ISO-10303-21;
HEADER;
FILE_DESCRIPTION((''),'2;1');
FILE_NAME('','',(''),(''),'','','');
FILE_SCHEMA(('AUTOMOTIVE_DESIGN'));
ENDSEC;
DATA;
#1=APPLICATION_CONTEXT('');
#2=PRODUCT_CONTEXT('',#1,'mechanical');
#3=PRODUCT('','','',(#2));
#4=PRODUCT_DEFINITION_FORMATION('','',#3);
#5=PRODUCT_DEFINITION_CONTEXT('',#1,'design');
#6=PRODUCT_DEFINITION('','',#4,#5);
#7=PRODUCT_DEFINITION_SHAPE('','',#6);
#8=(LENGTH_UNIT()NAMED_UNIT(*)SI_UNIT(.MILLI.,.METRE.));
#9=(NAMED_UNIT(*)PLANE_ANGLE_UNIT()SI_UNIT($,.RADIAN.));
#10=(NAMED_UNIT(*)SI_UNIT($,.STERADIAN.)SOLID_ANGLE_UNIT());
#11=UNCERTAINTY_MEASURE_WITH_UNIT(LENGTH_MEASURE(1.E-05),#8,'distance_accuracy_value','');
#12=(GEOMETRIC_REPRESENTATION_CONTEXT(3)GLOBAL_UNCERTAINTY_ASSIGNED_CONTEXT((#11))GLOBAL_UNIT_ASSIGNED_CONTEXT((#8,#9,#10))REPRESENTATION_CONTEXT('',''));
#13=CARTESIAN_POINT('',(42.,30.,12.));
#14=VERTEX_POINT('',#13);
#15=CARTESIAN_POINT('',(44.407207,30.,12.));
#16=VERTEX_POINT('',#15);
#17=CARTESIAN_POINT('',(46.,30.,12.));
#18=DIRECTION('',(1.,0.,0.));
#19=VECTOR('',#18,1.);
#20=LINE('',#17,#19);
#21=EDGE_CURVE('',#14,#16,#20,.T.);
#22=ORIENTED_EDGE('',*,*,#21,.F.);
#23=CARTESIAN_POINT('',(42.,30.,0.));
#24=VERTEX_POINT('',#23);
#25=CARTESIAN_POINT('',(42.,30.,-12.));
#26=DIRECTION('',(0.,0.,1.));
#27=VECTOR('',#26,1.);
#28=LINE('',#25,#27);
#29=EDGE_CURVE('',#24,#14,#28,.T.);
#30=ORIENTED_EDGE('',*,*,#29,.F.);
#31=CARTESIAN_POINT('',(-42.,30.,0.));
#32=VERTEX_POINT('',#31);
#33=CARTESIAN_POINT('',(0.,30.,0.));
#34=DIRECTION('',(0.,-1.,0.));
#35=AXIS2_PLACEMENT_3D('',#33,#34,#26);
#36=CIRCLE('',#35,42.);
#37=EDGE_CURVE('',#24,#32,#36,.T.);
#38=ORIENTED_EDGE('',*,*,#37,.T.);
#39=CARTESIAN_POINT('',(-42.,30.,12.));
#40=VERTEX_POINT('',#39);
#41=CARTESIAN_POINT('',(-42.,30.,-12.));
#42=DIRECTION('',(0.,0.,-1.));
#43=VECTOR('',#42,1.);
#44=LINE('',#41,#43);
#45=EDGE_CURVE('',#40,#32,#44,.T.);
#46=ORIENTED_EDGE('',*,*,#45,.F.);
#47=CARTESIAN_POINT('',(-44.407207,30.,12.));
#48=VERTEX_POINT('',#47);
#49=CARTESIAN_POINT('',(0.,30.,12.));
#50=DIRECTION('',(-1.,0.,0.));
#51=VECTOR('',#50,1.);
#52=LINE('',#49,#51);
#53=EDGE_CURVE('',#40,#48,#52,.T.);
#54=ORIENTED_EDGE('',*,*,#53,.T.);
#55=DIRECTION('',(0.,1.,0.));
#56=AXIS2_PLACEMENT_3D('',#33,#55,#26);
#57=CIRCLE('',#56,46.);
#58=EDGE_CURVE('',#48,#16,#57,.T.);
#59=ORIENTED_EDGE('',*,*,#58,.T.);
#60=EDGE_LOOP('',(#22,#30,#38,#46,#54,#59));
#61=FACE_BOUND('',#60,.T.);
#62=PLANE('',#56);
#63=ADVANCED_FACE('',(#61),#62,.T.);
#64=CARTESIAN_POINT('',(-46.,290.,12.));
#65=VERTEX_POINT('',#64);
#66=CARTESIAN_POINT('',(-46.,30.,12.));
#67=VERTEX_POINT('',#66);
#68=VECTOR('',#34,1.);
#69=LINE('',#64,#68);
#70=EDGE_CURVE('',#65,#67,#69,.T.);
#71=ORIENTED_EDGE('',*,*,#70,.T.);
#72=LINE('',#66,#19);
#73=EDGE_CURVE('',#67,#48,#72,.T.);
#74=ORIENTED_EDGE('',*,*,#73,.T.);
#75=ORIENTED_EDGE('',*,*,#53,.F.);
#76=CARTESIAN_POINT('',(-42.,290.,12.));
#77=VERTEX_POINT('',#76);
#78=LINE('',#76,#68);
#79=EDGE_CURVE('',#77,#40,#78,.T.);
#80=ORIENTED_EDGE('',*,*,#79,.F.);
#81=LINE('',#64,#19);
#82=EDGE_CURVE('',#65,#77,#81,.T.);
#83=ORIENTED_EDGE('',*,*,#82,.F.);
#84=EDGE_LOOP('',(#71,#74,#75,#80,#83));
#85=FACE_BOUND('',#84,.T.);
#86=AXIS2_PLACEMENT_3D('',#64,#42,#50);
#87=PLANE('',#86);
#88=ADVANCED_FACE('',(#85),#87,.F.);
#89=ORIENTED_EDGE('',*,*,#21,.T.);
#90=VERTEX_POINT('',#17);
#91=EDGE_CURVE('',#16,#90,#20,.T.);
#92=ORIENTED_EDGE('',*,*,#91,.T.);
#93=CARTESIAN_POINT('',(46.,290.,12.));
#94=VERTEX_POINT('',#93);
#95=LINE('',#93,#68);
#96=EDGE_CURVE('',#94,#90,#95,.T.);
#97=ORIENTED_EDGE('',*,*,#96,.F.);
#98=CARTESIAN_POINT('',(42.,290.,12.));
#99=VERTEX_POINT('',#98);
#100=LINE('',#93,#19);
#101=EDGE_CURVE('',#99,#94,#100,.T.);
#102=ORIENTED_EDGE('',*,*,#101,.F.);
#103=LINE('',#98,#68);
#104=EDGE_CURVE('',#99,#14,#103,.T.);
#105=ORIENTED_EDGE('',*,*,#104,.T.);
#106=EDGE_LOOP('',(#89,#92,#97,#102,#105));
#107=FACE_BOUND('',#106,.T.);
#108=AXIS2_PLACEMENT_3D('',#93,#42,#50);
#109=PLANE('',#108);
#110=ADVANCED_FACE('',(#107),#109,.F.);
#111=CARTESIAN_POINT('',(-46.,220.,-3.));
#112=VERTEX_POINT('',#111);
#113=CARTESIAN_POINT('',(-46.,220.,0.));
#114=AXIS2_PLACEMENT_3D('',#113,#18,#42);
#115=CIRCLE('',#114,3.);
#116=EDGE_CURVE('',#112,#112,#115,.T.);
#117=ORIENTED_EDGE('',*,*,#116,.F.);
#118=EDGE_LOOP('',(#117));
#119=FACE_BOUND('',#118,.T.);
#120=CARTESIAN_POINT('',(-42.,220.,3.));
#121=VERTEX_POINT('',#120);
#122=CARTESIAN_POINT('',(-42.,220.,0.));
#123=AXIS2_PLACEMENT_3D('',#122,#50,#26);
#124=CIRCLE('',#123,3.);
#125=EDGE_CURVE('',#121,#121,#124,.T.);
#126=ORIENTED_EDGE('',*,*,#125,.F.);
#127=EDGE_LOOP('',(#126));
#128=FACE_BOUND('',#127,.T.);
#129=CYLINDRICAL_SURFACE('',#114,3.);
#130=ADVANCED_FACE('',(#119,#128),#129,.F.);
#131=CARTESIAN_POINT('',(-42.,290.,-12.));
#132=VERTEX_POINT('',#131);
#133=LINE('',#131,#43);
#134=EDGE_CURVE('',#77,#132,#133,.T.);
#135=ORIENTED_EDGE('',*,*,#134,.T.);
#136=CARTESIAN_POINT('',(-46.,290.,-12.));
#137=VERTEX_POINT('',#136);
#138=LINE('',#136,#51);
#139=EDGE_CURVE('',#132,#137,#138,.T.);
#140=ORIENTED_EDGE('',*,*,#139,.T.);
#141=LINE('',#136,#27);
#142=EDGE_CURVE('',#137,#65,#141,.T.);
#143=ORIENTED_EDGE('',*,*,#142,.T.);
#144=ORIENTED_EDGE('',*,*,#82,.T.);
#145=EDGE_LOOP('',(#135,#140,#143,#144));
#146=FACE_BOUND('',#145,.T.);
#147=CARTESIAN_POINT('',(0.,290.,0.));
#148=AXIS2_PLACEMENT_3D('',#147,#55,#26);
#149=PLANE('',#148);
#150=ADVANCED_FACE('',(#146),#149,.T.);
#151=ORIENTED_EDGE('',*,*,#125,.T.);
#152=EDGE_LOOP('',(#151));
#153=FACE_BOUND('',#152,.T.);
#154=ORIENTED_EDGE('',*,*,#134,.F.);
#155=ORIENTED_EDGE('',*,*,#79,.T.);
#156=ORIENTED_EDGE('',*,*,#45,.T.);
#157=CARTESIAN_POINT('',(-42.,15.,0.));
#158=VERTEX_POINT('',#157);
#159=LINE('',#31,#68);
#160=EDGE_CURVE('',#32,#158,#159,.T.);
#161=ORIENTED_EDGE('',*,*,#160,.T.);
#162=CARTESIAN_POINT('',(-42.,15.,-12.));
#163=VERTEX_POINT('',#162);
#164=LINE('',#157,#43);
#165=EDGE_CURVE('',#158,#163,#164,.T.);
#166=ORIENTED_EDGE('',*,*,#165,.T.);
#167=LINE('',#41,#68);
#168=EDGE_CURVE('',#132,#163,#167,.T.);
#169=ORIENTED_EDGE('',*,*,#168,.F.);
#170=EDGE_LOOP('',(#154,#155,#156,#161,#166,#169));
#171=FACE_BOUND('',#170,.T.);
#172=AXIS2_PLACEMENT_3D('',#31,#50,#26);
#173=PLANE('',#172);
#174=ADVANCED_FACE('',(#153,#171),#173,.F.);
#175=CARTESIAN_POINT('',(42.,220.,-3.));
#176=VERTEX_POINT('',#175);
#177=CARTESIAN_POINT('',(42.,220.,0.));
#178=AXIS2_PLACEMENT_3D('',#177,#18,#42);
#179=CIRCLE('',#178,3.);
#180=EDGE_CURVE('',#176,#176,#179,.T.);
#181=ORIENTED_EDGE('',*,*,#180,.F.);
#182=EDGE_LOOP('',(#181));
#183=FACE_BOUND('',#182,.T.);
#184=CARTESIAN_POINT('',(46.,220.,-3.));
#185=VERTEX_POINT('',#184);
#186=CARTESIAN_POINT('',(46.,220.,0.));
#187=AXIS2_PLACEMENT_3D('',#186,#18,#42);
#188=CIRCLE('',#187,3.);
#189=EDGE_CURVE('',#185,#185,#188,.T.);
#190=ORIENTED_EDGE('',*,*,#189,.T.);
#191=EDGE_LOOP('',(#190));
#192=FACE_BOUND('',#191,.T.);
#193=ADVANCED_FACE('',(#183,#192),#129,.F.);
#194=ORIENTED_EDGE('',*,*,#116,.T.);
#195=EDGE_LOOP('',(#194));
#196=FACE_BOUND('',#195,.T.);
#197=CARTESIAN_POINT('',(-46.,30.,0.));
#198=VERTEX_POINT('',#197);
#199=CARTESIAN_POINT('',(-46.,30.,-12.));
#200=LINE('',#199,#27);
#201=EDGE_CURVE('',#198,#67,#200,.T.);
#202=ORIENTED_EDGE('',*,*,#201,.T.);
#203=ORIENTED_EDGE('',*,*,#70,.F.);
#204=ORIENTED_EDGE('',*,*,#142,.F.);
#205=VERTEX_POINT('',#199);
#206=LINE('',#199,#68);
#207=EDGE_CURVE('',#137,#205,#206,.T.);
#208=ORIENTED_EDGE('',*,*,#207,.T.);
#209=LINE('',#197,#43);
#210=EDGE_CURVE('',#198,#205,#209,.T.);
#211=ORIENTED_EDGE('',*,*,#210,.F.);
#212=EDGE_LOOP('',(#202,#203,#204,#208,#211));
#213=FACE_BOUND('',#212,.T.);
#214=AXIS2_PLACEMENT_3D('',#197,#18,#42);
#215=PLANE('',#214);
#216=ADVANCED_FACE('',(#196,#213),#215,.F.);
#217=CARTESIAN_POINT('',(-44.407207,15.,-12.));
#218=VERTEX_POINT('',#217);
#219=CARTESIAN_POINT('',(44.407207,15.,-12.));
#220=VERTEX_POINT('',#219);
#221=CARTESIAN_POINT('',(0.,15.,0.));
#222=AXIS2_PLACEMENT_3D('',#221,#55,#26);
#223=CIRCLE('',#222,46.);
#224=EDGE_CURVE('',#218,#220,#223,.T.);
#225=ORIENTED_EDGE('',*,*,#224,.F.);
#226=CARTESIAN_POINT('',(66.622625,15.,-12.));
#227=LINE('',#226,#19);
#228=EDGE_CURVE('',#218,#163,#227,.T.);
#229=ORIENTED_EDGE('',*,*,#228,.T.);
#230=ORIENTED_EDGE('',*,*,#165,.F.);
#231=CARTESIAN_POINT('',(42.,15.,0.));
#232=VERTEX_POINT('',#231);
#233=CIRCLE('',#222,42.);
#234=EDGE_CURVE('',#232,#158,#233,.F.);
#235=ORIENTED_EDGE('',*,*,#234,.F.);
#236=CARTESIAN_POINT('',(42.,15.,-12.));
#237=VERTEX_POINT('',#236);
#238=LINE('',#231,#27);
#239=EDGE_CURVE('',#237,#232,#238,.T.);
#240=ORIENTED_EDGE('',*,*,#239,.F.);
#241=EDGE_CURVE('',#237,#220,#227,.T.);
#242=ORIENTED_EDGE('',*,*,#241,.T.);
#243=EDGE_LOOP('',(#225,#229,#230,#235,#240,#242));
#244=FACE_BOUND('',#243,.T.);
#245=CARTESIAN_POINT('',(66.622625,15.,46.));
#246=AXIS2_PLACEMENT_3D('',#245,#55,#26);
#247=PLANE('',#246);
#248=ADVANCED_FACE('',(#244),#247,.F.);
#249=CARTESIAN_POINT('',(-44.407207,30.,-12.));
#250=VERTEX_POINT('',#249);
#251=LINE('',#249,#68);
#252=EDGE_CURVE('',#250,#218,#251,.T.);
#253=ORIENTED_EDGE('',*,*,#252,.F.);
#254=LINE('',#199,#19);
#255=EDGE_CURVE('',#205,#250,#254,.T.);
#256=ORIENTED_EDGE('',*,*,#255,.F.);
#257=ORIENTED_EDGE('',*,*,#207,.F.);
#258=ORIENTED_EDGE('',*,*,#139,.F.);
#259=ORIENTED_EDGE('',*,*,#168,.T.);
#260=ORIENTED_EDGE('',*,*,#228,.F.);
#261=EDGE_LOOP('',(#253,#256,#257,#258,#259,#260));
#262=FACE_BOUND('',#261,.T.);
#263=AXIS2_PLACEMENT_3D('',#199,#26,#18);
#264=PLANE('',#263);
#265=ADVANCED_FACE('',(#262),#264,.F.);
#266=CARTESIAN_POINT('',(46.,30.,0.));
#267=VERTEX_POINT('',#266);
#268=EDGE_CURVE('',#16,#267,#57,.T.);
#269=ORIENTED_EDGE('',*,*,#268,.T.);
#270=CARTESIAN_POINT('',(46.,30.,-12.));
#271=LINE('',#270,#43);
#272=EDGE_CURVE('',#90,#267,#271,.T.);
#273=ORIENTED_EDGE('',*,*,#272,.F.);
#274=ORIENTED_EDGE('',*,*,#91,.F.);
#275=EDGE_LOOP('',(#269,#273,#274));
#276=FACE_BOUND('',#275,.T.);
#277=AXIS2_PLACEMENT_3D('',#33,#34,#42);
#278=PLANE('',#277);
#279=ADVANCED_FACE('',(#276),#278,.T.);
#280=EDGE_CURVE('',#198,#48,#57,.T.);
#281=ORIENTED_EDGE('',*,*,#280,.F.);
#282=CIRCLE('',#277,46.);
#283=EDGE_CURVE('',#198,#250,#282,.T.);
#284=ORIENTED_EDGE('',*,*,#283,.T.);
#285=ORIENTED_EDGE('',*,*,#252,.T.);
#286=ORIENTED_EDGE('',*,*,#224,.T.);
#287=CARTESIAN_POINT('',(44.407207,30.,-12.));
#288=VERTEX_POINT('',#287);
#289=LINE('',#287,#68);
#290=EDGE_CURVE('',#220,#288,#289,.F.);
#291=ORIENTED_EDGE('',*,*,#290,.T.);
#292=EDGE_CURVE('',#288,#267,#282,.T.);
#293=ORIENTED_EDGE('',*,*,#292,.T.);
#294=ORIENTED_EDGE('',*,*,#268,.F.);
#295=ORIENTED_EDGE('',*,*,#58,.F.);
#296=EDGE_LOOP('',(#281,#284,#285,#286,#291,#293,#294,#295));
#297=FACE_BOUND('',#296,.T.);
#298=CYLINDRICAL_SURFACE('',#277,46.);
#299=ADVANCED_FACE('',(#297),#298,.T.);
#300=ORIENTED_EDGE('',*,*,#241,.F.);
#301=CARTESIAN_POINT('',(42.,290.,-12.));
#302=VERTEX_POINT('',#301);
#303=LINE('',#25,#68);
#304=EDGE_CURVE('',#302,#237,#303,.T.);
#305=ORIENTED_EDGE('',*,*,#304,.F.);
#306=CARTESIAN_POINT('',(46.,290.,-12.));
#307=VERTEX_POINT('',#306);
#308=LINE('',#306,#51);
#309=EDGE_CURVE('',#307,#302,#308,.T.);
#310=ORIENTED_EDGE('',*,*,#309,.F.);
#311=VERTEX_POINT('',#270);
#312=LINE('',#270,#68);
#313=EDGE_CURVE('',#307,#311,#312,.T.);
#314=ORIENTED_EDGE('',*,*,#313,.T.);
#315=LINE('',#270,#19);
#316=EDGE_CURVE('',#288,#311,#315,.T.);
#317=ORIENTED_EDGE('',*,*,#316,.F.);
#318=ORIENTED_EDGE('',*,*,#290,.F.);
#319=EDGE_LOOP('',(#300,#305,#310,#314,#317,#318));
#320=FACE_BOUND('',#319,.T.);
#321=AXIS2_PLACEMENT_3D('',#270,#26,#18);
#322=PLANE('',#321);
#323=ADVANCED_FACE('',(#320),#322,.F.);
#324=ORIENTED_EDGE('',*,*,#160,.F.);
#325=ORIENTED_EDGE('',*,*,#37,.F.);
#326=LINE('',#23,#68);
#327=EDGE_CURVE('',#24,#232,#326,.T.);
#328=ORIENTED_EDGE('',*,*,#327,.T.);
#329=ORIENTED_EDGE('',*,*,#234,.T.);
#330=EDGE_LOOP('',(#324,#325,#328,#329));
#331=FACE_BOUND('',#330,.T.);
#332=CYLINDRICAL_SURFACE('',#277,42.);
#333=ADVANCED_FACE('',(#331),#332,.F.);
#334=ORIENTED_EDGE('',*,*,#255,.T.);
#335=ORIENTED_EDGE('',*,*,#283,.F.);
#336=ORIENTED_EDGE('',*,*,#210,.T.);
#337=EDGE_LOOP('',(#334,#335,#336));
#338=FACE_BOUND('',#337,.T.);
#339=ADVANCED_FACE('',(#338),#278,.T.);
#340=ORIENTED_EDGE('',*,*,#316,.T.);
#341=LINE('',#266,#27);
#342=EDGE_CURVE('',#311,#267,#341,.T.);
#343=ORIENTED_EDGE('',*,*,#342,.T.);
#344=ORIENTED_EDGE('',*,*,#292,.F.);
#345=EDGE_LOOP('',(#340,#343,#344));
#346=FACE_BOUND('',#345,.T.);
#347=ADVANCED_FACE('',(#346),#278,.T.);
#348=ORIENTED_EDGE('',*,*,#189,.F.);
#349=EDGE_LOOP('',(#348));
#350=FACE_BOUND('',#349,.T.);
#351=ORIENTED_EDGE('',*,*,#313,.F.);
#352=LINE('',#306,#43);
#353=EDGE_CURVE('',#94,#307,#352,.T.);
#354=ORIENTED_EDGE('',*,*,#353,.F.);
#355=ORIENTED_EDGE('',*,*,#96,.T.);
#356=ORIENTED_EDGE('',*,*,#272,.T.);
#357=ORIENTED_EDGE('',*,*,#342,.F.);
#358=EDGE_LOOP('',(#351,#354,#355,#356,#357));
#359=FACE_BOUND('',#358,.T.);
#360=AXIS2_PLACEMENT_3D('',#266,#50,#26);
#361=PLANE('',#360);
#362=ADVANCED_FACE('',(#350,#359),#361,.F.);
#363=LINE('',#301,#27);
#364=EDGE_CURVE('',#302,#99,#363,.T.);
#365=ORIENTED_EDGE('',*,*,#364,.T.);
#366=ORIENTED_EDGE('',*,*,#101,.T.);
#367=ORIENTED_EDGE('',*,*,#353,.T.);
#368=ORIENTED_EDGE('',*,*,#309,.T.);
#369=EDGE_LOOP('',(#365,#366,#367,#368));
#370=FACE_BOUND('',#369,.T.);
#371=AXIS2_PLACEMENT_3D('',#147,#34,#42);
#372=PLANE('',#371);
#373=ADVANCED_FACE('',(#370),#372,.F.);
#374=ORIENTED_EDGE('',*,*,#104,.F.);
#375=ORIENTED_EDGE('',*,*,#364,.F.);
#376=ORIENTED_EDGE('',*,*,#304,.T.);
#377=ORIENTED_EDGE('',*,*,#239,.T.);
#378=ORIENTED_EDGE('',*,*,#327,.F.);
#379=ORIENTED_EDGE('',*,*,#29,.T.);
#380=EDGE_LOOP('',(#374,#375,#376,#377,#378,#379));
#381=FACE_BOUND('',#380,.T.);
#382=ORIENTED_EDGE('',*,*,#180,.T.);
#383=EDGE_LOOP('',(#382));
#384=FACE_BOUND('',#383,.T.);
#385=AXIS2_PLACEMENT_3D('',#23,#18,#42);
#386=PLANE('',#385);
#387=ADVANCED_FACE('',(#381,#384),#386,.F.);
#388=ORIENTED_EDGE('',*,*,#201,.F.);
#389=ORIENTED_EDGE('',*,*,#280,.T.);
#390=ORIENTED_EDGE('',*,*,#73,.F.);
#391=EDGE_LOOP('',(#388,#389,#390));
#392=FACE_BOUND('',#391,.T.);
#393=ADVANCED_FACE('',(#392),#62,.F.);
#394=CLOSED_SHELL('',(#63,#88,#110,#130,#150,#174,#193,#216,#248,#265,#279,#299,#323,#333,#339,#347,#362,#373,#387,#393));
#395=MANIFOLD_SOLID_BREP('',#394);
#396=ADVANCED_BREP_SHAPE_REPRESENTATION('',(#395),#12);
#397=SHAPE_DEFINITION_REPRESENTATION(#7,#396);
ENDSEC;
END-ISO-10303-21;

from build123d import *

# Parameters (mm, degrees)
EXTRUDE_1_DEPTH     = 30
SKETCH_4_W          = 4
SKETCH_4_H          = 24
EXTRUDE_3_DEPTH     = 260
SKETCH_7_W          = 149.597155604
SKETCH_7_H          = 115.941502163
CUT_EXTRUDE_3_DEPTH = 59
SKETCH_9_R          = 3
CUT_EXTRUDE_5_DEPTH = 93
SKETCH_10_R         = 50
SKETCH_10_R_2       = 46
CUT_EXTRUDE_6_DEPTH = 15


with BuildPart() as part:
    # 草图1 → 凸台-拉伸1 (new body)
    with BuildSketch(Plane(origin=(0, 0, 0), x_dir=(1, 0, 0), z_dir=(0, 1, 0))):
        with BuildLine():
            Line((-46, 0), (-46, 12))
            Line((-46, 12), (-42, 12))
            Line((-42, 12), (-42, 0))
            ThreePointArc((-42, 0), (0, -42), (42, 0))
            Line((42, 0), (42, 12))
            Line((42, 12), (46, 12))
            Line((46, 12), (46, 0))
            ThreePointArc((46, 0), (0, -46), (-46, 0))
        make_face()
    extrude(amount=EXTRUDE_1_DEPTH)

    # 草图4 → 凸台-拉伸3 (add)
    with BuildSketch(Plane(origin=(0, 30, 0), x_dir=(1, 0, 0), z_dir=(0, 1, 0))):
        with Locations((44, 0)):
            Rectangle(SKETCH_4_W, SKETCH_4_H)
        with Locations((-44, 0)):
            Rectangle(SKETCH_4_W, SKETCH_4_H)
    extrude(amount=EXTRUDE_3_DEPTH)

    # 草图7 → 切除-拉伸3 (cut, through all)
    with BuildSketch(Plane(origin=(0, 0, -12), x_dir=(-1, 0, 0), z_dir=(0, 0, -1))):
        with Locations((8.175952602, -42.970751082)):
            Rectangle(SKETCH_7_W, SKETCH_7_H)
    extrude(amount=-CUT_EXTRUDE_3_DEPTH, mode=Mode.SUBTRACT)

    # 草图9 → 切除-拉伸5 (cut, through all)
    with BuildSketch(Plane(origin=(46, 0, 0), x_dir=(0, 0, -1), z_dir=(1, 0, 0))):
        with Locations((0, 220)):
            Circle(SKETCH_9_R)
    extrude(amount=-CUT_EXTRUDE_5_DEPTH, mode=Mode.SUBTRACT)

    # 草图10 → 切除-拉伸6 (cut)
    with BuildSketch(Plane.XZ.offset(-15)):
        Circle(SKETCH_10_R)
        Circle(SKETCH_10_R_2, mode=Mode.SUBTRACT)
    extrude(amount=-CUT_EXTRUDE_6_DEPTH, mode=Mode.SUBTRACT)


solid = part.part
